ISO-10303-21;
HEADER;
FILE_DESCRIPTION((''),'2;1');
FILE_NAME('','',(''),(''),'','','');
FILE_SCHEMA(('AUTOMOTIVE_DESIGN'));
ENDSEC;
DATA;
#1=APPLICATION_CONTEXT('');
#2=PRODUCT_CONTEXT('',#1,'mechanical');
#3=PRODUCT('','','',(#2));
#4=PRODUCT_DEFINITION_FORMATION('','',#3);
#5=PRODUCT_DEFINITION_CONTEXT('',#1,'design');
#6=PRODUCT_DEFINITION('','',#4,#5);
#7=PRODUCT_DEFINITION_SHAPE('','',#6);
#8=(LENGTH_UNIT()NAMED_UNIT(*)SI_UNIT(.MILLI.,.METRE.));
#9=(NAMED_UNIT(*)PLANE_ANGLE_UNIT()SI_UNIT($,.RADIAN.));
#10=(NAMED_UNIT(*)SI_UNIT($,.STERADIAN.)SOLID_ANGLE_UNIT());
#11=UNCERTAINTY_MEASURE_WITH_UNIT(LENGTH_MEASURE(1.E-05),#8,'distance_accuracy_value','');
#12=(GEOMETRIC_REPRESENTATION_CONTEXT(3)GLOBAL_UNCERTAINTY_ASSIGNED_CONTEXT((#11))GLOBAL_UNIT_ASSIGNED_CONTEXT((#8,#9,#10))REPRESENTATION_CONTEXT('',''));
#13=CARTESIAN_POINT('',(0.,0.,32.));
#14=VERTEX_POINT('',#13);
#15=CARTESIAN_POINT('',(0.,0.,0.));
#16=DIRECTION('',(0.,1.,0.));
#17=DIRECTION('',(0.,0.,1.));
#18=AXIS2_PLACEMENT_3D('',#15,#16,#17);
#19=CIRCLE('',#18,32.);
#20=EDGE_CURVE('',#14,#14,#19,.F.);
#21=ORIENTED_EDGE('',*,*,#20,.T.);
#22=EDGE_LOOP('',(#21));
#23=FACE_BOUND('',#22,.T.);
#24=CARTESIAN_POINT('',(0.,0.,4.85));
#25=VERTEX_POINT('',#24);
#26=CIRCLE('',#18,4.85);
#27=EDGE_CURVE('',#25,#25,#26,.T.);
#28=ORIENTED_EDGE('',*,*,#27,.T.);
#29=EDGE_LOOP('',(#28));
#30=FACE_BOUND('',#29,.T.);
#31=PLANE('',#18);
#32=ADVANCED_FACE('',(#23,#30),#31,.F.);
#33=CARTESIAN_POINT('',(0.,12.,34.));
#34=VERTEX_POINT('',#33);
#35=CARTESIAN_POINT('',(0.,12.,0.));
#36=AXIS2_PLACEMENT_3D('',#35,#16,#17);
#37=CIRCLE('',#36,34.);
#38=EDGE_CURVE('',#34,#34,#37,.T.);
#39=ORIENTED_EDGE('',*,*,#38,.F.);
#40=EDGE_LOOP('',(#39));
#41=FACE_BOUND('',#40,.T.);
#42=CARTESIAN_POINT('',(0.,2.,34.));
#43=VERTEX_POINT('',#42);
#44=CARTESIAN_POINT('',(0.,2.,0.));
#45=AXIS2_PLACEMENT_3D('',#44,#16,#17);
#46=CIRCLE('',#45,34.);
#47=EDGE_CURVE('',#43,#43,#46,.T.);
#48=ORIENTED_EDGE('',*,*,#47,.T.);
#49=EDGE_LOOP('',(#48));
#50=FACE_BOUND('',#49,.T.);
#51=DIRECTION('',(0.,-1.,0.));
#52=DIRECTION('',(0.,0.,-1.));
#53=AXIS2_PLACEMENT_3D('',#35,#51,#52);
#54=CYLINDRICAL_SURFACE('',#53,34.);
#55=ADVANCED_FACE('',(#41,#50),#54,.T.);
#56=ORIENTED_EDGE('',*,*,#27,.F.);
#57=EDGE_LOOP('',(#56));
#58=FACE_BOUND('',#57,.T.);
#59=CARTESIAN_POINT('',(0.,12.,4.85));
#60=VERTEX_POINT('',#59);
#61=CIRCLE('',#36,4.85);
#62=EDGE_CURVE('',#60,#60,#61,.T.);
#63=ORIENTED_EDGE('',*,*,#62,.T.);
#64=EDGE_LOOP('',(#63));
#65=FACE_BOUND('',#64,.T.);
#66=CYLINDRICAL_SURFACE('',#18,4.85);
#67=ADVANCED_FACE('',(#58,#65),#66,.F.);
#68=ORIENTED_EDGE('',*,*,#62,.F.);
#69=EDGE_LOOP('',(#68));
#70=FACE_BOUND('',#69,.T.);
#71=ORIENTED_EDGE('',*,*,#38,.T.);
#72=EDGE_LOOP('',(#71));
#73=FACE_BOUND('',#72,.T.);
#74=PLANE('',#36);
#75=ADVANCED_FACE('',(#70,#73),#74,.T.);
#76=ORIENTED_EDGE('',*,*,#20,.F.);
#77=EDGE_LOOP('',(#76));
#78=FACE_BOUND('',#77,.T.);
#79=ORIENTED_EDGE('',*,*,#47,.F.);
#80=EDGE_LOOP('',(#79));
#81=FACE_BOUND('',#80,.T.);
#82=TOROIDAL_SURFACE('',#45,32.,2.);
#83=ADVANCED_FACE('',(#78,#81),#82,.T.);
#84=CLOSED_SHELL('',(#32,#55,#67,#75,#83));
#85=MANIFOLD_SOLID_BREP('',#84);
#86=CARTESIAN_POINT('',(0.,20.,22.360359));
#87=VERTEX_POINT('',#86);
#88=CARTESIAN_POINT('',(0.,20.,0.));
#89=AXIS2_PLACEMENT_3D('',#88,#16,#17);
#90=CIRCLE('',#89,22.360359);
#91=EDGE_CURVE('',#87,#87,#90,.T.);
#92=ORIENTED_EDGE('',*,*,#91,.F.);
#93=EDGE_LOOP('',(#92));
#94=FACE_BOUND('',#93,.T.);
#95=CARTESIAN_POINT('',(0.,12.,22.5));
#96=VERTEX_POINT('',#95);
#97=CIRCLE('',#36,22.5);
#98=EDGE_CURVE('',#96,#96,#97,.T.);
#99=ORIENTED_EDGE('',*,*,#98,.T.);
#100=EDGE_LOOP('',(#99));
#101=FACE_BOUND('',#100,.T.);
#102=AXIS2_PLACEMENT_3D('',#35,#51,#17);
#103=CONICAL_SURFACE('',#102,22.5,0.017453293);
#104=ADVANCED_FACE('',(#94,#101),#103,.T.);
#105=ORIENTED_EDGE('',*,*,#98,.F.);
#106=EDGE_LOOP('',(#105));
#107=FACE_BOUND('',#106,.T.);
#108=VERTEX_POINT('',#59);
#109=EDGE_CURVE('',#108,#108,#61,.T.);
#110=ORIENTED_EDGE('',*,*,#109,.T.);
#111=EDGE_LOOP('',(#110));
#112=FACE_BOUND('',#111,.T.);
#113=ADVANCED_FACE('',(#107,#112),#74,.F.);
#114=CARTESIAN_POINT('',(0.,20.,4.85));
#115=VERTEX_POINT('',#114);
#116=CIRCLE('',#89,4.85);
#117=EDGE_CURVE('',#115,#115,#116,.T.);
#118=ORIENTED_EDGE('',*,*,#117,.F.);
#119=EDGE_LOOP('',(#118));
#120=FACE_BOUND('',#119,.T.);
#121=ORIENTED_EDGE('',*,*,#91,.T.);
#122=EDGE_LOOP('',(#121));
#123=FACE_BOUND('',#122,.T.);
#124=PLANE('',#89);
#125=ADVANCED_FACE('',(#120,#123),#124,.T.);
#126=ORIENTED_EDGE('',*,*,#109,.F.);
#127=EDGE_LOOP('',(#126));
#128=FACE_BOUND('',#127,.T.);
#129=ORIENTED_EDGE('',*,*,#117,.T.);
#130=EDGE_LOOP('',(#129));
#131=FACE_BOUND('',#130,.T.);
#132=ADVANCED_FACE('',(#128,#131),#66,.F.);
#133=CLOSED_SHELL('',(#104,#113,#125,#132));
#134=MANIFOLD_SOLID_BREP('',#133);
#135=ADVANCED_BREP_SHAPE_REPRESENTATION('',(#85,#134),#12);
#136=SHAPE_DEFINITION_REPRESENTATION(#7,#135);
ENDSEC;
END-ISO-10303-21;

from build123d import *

# Parameters (mm, degrees)
SKETCH2_R           = 34
BOSS_EXTRUDE1_DEPTH = 12
SKETCH3_R           = 22.5
BOSS_EXTRUDE3_DEPTH = 8
BOSS_EXTRUDE3_TAPER = 1
SKETCH4_R           = 4.85
CUT_EXTRUDE1_DEPTH  = 53.076866265
FILLET1_R           = 2


with BuildPart() as part:
    # Sketch2 → Boss-Extrude1 (new body)
    with BuildSketch(Plane(origin=(0, 0, 0), x_dir=(1, 0, 0), z_dir=(0, 1, 0))):
        with Locations(Location((0, 0, 0), (0, 0, 270))):
            Circle(SKETCH2_R)
    extrude(amount=BOSS_EXTRUDE1_DEPTH)


with BuildPart() as body_2:
    # Sketch3 → Boss-Extrude3 (new body)
    with BuildSketch(Plane(origin=(0, 12, 0), x_dir=(1, 0, 0), z_dir=(0, 1, 0))):
        Circle(SKETCH3_R)
    extrude(amount=BOSS_EXTRUDE3_DEPTH, taper=BOSS_EXTRUDE3_TAPER)


with BuildPart() as cut_extrude1_tool:
    # Sketch4 → Cut-Extrude1 (new, through all)
    with BuildSketch(Plane(origin=(0, 20, 0), x_dir=(1, 0, 0), z_dir=(0, 1, 0))):
        with Locations(Location((0, 0, 0), (0, 0, 270))):
            Circle(SKETCH4_R)
    extrude(amount=-CUT_EXTRUDE1_DEPTH)


with BuildPart() as part_1:
    add(part.part)

    # Cut-Extrude1: cut by cut_extrude1_tool
    add(cut_extrude1_tool.part, mode=Mode.SUBTRACT)

    # Fillet1
    fillet1_edges = [part_1.edges().sort_by_distance(p)[0] for p in [
        (0, 0, -34),
    ]]
    fillet(fillet1_edges, radius=FILLET1_R)


with BuildPart() as body_2_1:
    add(body_2.part)

    # Cut-Extrude1: cut by cut_extrude1_tool
    add(cut_extrude1_tool.part, mode=Mode.SUBTRACT)


solid = Compound([part_1.part, body_2_1.part])
